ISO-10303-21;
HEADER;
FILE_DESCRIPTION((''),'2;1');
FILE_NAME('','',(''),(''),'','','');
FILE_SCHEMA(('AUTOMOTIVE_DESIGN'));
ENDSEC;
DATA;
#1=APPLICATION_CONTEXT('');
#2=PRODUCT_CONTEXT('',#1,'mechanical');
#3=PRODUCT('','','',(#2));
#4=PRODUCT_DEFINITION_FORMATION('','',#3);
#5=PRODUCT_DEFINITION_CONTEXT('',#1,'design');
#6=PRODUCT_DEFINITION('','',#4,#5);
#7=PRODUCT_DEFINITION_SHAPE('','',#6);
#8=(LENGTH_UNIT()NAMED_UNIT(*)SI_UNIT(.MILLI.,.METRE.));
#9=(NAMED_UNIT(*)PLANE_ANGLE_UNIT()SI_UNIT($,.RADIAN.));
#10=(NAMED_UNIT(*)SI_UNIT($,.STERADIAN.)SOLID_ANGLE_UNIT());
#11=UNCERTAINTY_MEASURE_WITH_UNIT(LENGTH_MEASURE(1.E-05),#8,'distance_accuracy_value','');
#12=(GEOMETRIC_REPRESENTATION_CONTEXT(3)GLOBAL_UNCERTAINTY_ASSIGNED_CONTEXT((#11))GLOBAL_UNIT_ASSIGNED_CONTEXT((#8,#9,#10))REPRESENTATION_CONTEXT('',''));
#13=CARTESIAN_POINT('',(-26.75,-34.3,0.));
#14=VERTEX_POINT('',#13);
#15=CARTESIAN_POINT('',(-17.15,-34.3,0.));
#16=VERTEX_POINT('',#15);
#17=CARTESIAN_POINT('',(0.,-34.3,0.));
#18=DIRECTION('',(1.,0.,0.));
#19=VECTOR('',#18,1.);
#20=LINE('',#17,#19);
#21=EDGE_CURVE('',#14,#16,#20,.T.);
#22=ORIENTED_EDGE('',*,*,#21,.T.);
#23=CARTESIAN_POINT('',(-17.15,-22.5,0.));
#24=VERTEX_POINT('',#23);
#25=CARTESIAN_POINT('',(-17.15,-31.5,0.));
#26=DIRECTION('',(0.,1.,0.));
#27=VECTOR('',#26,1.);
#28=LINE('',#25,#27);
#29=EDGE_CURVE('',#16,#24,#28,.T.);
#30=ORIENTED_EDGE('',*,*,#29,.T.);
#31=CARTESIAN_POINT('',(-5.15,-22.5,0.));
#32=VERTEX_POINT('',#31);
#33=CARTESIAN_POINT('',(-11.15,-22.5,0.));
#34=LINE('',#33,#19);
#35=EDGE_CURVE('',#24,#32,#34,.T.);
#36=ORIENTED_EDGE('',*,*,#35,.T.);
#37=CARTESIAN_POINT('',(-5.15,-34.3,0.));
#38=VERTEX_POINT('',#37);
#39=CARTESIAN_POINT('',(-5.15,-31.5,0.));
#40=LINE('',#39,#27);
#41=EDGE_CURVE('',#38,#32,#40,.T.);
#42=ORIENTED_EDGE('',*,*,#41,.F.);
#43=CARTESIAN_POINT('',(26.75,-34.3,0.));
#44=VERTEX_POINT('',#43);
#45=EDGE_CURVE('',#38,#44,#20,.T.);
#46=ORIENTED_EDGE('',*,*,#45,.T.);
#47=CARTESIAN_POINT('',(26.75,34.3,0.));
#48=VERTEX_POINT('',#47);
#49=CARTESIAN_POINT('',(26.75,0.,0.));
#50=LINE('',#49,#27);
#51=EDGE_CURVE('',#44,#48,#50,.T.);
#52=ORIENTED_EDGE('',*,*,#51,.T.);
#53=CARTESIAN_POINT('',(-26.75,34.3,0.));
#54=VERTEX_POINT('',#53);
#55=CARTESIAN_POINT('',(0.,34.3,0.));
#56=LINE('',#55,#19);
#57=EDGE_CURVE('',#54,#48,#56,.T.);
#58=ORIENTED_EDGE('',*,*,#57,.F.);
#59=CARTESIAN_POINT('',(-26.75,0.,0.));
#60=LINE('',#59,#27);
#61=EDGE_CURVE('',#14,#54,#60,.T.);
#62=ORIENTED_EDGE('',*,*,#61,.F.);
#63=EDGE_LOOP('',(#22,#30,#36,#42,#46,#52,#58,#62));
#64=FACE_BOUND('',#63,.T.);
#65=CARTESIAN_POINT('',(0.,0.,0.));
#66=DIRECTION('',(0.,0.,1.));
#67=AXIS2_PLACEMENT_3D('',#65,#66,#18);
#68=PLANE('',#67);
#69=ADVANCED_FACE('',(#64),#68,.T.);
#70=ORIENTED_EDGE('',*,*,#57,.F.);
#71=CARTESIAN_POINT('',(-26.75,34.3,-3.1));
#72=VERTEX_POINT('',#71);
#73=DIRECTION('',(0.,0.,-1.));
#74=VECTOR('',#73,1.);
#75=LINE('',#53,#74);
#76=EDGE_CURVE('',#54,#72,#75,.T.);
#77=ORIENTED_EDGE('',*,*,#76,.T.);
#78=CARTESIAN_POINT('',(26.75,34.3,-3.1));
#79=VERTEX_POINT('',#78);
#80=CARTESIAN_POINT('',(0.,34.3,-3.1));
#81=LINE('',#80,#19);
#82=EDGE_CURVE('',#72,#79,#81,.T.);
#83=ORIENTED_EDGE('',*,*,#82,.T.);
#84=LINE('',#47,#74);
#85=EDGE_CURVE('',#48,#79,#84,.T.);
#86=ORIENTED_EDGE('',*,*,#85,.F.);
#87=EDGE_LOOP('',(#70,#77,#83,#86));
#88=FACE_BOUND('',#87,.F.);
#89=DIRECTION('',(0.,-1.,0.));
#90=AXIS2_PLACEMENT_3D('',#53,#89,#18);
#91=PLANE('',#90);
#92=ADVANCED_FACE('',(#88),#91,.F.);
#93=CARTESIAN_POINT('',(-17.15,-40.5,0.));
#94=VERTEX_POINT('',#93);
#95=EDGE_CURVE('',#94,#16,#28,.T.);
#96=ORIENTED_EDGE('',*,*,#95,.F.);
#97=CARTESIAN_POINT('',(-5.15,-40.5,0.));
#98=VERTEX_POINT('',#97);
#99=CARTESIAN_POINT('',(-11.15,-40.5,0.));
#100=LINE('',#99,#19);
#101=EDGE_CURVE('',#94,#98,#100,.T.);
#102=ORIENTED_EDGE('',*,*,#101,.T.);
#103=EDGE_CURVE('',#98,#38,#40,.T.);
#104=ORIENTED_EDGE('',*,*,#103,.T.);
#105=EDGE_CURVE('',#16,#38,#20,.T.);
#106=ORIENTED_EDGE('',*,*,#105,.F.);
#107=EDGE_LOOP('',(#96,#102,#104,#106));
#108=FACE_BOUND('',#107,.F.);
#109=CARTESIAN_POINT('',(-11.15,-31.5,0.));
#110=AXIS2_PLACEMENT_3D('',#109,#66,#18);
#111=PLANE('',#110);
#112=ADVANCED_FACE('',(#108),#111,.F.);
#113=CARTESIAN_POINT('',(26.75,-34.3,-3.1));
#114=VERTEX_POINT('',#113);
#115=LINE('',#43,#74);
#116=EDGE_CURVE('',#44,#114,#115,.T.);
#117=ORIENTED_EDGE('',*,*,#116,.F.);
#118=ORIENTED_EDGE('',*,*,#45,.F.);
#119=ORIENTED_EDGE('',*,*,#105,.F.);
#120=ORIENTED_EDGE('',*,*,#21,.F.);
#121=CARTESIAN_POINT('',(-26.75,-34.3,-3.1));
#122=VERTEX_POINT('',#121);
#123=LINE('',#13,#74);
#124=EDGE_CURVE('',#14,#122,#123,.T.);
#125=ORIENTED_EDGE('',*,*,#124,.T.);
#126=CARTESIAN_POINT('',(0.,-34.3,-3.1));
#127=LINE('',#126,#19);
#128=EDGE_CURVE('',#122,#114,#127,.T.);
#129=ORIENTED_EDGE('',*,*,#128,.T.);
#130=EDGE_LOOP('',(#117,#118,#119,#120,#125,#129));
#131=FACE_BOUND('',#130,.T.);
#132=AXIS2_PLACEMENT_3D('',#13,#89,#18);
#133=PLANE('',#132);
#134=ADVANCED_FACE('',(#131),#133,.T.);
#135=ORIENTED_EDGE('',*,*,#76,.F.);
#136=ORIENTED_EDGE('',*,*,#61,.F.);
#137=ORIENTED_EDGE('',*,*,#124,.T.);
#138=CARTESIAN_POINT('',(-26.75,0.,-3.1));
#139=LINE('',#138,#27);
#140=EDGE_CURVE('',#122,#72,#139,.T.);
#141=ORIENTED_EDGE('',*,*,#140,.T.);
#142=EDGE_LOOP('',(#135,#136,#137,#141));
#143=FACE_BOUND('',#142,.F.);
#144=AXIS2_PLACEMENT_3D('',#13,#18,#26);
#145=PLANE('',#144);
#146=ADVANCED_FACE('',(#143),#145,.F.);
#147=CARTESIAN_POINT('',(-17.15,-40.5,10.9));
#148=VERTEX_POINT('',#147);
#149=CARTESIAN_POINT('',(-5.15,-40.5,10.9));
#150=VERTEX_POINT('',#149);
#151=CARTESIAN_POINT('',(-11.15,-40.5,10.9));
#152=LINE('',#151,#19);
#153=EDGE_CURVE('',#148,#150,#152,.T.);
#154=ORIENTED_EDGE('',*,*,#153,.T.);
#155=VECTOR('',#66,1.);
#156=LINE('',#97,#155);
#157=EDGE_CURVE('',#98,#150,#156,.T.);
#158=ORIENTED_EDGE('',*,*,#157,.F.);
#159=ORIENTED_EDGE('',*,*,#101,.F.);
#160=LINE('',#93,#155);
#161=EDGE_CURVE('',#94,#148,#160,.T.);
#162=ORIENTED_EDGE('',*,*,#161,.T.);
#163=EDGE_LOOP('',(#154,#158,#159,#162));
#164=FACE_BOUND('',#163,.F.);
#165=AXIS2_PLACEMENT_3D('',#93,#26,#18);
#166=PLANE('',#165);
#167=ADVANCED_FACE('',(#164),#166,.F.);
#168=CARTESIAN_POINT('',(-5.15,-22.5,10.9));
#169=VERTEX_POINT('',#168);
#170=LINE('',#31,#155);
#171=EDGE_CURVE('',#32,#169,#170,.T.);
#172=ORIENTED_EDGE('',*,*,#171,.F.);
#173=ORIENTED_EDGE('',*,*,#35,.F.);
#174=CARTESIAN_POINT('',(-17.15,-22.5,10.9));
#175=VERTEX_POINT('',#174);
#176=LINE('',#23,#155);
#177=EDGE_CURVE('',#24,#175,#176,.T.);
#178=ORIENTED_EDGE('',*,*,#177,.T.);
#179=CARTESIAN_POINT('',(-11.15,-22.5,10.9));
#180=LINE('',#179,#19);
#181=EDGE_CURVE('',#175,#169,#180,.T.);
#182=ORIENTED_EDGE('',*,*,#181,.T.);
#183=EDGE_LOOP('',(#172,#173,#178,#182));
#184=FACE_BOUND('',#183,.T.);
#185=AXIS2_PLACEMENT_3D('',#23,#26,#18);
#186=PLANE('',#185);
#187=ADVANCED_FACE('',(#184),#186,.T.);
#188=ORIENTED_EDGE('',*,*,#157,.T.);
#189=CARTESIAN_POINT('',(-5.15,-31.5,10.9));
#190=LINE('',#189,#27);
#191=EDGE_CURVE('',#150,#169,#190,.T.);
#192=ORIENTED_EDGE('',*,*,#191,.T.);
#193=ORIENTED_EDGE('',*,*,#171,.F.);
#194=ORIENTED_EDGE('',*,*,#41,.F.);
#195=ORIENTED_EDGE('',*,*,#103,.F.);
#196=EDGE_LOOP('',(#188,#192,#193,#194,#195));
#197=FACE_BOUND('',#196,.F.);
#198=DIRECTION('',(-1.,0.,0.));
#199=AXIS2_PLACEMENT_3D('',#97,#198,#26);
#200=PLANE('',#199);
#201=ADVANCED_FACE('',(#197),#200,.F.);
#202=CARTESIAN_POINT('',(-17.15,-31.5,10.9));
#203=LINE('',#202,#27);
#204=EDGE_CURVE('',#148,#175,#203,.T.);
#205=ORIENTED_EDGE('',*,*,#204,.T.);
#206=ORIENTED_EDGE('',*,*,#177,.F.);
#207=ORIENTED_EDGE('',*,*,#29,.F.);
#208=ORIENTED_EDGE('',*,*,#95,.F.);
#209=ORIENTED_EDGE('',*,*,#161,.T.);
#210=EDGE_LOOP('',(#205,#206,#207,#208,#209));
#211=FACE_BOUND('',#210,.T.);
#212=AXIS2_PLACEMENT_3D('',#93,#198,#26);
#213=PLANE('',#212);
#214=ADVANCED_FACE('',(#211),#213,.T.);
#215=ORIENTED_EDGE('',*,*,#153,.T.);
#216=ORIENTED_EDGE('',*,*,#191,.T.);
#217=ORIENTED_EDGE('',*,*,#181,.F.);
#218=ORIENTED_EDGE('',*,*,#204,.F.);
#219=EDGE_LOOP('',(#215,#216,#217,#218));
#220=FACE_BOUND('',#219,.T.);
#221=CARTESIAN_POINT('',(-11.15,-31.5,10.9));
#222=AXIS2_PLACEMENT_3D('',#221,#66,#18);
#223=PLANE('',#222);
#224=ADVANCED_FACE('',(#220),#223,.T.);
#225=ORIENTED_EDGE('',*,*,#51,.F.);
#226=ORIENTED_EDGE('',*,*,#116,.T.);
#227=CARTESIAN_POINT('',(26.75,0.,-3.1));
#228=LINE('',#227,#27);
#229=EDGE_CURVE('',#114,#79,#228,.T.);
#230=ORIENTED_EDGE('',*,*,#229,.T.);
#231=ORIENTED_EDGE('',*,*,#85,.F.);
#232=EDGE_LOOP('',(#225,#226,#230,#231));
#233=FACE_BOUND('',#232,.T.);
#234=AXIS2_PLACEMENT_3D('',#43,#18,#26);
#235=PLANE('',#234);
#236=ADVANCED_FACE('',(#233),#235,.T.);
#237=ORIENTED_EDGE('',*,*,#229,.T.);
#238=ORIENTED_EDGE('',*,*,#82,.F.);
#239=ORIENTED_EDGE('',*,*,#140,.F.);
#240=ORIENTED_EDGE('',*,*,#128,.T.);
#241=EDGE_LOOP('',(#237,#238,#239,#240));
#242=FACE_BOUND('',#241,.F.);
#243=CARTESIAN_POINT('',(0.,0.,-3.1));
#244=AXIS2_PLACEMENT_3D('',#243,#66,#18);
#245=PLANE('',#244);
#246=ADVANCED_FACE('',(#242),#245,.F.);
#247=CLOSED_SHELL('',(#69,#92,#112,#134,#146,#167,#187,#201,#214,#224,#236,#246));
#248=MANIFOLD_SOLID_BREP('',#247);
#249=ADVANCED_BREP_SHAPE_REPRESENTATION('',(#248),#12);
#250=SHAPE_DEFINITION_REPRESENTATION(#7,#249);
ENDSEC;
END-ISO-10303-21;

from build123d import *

# Parameters (mm, degrees)
F0_W     = 53.5
F0_H     = 68.6
F1_DEPTH = 3.1
F2_W     = 12
F2_H     = 18
F3_DEPTH = 10.9


with BuildPart() as f1:
    # F0 (on Top) → F1 (new body)
    with BuildSketch(Plane.XY):
        Rectangle(F0_W, F0_H)
    extrude(amount=-F1_DEPTH)

    # F2 (on Top) → F3 (join)
    with BuildSketch(Plane.XY):
        with Locations((-11.15, -31.5)):
            Rectangle(F2_W, F2_H)
    extrude(amount=F3_DEPTH)


solid = f1.part
